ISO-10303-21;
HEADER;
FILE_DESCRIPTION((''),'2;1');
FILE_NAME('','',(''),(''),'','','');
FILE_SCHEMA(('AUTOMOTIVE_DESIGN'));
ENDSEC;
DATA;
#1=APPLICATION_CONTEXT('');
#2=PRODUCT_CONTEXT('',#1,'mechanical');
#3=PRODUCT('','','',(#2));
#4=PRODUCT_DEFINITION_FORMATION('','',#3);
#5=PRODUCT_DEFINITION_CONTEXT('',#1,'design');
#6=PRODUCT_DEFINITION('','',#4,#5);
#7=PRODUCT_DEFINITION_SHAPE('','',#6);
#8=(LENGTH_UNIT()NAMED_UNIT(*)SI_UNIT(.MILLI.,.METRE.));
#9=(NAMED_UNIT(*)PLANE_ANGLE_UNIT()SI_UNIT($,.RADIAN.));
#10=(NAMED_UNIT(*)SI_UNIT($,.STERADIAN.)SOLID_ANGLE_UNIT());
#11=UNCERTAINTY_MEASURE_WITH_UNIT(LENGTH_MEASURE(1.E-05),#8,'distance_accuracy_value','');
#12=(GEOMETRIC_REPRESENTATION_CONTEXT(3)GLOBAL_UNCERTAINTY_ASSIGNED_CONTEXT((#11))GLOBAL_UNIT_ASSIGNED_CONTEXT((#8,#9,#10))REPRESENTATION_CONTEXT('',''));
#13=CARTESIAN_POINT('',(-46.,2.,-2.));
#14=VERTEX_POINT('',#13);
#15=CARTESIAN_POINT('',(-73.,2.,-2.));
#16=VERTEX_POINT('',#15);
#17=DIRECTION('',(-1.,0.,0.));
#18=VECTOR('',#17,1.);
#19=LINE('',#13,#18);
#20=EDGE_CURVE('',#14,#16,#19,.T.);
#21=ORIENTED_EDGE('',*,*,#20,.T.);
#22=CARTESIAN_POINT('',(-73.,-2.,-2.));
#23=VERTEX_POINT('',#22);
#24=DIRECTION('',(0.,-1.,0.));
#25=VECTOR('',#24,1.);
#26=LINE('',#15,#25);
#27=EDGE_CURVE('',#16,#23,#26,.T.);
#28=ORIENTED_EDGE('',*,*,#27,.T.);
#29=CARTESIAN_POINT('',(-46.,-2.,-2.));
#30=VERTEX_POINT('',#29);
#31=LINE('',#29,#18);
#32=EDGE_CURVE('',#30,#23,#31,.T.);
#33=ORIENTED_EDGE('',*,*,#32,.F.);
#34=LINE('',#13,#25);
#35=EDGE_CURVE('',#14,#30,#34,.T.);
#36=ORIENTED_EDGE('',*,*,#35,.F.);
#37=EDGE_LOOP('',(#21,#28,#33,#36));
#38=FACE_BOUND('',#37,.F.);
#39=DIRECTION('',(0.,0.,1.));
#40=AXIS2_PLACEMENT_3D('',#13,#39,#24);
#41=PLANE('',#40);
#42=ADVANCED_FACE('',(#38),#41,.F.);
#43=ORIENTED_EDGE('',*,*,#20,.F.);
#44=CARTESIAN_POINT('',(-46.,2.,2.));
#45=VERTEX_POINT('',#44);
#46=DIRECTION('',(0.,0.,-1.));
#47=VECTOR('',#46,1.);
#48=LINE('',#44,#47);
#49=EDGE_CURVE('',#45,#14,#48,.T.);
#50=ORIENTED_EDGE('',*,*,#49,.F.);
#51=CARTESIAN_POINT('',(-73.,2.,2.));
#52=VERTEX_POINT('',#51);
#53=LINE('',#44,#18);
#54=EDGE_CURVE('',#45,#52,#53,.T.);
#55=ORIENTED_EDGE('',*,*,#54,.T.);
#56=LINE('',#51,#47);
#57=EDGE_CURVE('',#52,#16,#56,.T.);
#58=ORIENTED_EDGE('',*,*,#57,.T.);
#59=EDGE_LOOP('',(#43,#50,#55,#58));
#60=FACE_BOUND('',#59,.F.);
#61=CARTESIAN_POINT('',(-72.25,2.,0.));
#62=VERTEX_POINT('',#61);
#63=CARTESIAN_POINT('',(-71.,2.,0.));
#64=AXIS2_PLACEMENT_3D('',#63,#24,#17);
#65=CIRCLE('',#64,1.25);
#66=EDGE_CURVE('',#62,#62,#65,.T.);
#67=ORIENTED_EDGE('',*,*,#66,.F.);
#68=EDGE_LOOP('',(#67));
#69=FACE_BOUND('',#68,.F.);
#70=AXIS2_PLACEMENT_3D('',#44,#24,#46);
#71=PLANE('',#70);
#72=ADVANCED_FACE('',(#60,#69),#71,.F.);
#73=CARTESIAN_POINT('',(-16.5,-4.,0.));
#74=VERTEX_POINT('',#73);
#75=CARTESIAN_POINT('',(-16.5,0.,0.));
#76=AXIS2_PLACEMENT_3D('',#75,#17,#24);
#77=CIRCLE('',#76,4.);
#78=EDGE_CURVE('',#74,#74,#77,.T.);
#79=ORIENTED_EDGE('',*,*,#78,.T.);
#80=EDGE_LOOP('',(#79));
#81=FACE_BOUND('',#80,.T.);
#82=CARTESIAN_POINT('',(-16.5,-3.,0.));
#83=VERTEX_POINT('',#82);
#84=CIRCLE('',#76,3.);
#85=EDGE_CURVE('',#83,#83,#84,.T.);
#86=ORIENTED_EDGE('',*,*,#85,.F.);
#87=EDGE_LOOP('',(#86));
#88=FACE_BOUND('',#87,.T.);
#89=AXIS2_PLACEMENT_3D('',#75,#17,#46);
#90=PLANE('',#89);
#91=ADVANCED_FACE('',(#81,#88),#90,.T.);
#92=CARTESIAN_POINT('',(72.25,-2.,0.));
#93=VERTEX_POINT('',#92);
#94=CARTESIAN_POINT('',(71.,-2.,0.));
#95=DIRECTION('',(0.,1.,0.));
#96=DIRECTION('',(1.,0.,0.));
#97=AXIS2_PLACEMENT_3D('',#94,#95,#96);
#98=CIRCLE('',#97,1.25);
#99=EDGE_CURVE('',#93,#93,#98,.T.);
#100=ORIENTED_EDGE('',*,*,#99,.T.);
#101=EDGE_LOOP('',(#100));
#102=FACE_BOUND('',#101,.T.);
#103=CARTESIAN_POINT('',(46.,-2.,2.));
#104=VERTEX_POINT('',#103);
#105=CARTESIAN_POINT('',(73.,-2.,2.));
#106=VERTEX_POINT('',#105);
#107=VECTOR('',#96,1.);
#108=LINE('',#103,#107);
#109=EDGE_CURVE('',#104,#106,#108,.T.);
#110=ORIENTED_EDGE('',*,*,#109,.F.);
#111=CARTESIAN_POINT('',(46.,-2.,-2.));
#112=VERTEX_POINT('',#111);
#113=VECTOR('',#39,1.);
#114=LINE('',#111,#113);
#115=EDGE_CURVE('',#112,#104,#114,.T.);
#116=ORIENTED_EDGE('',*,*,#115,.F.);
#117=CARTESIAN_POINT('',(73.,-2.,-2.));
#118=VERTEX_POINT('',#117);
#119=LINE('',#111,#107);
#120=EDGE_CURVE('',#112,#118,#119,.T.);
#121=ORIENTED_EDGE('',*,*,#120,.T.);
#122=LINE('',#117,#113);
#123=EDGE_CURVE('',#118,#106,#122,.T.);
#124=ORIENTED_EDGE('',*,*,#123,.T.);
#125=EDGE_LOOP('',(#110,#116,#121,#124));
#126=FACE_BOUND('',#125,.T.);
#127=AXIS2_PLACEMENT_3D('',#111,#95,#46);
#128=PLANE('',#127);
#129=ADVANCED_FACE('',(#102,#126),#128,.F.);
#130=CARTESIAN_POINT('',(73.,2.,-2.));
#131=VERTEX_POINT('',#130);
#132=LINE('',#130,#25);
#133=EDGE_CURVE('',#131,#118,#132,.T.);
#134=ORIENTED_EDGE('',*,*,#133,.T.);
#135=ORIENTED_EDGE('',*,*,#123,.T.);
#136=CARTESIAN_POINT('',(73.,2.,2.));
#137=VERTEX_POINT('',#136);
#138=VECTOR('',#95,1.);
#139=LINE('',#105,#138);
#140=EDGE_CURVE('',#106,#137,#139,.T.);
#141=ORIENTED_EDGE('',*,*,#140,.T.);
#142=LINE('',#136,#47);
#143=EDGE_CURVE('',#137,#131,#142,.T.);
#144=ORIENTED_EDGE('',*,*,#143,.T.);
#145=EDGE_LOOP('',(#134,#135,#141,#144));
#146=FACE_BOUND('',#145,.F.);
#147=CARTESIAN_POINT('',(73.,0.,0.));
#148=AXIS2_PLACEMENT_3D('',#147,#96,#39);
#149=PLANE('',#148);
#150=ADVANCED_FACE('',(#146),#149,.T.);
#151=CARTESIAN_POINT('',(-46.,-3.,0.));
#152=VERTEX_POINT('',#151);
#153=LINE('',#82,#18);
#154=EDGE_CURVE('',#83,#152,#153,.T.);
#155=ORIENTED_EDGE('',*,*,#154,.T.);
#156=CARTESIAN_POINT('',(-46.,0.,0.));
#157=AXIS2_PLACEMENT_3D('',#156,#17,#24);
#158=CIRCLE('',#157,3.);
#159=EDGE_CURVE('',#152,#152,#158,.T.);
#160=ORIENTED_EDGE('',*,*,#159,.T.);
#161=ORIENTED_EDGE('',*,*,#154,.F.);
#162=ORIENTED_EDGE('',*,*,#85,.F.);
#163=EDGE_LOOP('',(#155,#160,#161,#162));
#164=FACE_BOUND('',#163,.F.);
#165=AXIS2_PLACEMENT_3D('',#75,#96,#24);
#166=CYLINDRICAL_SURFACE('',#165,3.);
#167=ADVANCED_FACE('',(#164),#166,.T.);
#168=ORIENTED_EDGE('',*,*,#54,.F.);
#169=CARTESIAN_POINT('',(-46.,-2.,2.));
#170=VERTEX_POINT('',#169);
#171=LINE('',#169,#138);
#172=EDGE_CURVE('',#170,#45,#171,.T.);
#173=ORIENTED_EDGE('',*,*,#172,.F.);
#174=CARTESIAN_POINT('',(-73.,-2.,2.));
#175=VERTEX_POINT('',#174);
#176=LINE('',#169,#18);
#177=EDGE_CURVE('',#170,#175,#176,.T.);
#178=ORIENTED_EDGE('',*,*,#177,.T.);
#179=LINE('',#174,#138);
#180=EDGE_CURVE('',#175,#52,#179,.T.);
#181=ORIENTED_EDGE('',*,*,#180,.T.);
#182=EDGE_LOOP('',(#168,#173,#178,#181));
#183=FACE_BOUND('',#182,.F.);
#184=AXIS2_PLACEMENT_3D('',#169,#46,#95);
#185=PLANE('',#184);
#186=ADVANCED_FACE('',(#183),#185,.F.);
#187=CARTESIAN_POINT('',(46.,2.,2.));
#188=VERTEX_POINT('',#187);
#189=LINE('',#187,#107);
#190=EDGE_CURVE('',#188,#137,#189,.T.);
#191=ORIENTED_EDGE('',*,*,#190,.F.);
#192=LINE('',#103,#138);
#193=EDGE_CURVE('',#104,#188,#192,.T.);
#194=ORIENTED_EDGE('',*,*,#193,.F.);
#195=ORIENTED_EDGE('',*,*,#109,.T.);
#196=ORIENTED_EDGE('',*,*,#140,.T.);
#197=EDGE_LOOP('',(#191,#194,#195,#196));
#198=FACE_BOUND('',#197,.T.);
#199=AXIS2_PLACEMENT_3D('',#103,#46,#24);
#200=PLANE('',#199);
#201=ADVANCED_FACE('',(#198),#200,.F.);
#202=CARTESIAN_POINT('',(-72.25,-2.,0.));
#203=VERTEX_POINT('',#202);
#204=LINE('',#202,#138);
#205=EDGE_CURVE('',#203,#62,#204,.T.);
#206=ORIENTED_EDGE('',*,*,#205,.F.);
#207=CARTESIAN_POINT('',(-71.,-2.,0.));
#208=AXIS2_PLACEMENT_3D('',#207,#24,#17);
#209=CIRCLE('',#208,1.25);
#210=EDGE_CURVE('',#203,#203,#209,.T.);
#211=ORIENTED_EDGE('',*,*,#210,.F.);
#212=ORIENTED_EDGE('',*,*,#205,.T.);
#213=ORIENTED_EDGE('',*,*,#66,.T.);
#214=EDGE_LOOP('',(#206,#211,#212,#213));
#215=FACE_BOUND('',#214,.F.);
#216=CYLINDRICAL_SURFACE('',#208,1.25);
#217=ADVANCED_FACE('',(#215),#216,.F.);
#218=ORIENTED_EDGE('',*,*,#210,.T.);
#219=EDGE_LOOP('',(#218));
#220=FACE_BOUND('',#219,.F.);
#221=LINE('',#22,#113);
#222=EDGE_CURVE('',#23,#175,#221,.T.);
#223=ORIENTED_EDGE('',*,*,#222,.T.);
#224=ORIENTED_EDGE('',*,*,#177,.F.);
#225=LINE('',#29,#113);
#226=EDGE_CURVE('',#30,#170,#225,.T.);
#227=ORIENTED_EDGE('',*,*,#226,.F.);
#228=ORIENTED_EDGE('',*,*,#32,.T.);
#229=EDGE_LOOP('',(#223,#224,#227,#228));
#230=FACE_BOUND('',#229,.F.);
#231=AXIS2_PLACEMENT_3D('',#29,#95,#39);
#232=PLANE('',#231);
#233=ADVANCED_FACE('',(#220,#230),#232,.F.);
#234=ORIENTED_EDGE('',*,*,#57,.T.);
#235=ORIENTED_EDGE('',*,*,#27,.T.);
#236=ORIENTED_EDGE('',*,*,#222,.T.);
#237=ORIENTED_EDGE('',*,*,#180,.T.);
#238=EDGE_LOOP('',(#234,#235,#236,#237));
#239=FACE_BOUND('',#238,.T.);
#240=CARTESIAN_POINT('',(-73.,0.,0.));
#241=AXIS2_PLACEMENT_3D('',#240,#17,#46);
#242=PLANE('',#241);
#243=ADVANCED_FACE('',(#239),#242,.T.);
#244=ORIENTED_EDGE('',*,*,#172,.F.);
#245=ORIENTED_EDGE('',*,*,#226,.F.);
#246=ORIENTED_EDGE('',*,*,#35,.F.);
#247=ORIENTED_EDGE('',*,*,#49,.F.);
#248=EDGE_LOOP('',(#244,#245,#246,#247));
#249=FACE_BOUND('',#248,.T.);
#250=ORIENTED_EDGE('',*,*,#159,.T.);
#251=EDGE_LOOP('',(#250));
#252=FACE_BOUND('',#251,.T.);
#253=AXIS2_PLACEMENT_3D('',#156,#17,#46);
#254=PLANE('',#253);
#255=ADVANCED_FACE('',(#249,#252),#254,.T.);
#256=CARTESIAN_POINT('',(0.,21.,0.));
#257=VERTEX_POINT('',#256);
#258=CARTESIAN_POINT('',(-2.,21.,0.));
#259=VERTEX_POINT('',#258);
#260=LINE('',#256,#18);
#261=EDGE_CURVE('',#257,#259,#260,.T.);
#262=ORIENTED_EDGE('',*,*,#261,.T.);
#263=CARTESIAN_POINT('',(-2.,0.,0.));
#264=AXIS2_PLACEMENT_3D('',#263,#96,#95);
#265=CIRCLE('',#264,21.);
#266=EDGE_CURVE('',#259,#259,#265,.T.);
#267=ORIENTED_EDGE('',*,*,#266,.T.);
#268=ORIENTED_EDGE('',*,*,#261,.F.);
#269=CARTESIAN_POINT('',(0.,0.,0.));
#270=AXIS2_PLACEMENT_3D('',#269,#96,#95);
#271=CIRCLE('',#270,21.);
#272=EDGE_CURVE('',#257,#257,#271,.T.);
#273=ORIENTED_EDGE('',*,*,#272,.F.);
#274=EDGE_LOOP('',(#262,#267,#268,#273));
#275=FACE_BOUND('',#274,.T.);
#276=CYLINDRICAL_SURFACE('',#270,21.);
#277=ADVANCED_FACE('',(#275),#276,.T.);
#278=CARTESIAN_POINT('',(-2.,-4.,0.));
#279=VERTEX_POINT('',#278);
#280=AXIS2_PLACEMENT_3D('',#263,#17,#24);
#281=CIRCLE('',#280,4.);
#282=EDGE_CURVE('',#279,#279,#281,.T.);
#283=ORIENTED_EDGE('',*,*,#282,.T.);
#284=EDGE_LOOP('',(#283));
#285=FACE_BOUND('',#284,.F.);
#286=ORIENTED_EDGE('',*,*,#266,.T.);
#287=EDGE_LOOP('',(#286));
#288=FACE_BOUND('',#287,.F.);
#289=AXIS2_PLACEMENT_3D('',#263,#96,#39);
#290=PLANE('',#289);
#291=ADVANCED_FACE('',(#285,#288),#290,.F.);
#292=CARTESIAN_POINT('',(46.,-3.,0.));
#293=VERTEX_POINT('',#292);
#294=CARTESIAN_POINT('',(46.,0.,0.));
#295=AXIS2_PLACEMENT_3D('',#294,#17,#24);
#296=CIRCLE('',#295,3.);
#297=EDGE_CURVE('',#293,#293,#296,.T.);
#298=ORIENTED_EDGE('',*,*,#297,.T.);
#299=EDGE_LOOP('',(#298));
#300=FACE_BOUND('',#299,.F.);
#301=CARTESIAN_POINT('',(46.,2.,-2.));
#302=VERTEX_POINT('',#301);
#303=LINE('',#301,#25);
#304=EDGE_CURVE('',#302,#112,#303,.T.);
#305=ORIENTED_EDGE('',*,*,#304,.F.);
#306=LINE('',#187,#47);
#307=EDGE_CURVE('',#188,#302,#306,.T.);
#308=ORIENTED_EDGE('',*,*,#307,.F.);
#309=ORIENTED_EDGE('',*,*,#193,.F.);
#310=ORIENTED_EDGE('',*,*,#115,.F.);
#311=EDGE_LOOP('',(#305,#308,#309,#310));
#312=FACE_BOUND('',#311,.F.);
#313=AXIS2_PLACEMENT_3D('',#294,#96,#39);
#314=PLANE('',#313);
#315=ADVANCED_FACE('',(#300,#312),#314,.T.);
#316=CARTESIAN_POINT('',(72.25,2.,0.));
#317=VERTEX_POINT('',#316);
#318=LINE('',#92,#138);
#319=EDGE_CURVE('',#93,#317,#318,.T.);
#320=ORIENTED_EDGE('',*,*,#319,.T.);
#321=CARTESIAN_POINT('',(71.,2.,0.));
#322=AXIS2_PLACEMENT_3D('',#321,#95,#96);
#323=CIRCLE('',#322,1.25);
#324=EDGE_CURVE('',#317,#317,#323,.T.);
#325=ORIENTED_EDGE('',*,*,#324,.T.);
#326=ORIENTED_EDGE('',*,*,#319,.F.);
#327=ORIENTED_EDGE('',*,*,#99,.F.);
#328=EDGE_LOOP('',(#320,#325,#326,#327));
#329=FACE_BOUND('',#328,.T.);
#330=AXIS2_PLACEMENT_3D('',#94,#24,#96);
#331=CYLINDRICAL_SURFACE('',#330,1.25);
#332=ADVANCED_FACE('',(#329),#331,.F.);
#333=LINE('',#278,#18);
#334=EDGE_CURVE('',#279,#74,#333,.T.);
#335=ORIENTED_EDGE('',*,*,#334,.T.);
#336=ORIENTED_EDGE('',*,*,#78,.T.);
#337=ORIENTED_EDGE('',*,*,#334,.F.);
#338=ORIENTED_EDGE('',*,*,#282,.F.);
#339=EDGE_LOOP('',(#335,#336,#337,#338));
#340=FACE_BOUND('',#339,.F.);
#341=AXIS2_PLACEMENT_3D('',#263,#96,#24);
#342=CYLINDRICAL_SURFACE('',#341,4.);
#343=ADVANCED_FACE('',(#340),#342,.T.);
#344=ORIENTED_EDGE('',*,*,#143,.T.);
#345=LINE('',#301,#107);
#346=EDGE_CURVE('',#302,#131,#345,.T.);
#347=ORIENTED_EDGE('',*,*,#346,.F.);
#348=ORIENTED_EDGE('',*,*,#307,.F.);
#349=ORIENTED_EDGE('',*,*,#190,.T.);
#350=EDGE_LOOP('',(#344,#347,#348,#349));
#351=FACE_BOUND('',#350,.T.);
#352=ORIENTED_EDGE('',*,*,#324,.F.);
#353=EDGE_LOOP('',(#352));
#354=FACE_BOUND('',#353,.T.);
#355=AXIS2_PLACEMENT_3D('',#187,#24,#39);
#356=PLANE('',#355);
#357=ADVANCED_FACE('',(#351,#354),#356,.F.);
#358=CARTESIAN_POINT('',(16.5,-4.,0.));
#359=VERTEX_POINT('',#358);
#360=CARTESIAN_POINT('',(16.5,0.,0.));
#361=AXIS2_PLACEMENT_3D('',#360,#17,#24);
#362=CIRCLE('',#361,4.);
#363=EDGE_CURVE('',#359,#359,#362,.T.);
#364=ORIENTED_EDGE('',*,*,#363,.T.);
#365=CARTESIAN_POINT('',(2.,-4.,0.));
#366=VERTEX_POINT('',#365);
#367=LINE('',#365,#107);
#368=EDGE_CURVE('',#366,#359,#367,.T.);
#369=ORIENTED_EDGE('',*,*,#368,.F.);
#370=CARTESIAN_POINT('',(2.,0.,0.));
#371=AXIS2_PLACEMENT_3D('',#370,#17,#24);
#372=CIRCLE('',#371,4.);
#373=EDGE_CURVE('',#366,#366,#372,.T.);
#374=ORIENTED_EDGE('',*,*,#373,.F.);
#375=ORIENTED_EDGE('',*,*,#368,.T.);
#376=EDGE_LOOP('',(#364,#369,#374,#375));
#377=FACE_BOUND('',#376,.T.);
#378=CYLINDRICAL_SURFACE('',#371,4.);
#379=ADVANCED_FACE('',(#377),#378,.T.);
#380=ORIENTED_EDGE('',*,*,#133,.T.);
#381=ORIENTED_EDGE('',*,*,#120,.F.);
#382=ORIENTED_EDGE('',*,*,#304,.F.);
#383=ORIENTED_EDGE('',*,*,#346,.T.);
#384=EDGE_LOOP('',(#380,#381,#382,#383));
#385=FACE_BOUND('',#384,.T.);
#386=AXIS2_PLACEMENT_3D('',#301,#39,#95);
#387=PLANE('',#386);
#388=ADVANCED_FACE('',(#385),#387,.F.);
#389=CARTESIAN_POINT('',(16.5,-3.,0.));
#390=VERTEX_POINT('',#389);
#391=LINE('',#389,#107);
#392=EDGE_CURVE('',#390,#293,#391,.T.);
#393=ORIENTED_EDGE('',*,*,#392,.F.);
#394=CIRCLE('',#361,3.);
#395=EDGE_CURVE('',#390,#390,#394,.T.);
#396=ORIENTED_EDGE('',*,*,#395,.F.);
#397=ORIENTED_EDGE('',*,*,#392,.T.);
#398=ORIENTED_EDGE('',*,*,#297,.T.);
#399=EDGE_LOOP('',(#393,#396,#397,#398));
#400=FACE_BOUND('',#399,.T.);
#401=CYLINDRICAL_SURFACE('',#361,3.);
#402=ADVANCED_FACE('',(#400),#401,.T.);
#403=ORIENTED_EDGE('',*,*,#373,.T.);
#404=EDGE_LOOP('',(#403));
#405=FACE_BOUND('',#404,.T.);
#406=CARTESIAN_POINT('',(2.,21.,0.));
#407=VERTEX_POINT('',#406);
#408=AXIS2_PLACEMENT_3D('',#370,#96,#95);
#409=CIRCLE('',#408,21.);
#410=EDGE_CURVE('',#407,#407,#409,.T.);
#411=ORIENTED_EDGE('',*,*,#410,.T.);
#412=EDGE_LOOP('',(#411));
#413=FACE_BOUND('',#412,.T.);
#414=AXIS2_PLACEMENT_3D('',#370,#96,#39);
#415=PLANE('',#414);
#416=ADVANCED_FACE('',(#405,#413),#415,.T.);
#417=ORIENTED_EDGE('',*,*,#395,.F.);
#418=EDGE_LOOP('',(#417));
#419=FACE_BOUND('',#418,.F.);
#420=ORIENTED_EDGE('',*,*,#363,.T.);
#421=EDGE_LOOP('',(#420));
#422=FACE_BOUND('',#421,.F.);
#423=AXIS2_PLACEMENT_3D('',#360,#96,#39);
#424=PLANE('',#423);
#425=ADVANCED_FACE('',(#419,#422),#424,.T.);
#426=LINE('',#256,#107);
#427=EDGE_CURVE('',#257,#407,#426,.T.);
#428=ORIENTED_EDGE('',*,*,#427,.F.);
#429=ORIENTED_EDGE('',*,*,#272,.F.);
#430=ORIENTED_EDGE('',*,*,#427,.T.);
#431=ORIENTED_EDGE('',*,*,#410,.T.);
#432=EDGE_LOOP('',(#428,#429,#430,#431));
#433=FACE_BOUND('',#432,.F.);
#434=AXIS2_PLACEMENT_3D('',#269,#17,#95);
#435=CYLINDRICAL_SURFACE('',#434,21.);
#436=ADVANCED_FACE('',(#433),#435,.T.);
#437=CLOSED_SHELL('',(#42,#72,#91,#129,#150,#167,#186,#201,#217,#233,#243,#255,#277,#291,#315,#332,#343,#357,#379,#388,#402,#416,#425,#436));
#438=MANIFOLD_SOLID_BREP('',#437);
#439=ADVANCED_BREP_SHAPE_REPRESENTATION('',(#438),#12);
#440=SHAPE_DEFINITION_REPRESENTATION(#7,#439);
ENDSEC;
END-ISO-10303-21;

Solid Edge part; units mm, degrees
sketch "Sketch1" plane through (0, 0, 0) normal (1, 0, 0) x (0, 1, 0)
  circle A0 centre (0, 0) radius 21
extrude "Protrusion1" add sketch "Sketch1" along normal mid plane 4
sketch "Sketch2" plane through (-2, 0, 0) normal (-1, 0, 0) x (0, -1, 0)
  circle A0 centre (0, 0) radius 4
extrude "ProtrusiónExtruida_3" add sketch "Sketch2" along normal blind 14.5
sketch "Sketch3" plane through (-16.5, 0, 0) normal (-1, 0, 0) x (0, -1, 0)
  circle A0 centre (0, 0) radius 3
extrude "ProtrusiónExtruida_4" add sketch "Sketch3" along normal blind 29.5
sketch "Sketch4" plane through (-46, 0, 0) normal (-1, 0, 0) x (0, -1, 0)
  line L0 (2, -2) -> (2, 2)
  line L1 (2, 2) -> (-2, 2)
  line L2 (-2, 2) -> (-2, -2)
  line L3 (-2, -2) -> (2, -2)
extrude "ProtrusiónExtruida_5" add sketch "Sketch4" along normal blind 27
mirror "Mirror1" about plane through (0, 0, 0) normal (1, 0, 0) of "ProtrusiónExtruida_3", "ProtrusiónExtruida_4", "ProtrusiónExtruida_5"
sketch "Sketch5" plane through (-58, -2, 0) normal (0, -1, 0) x (-1, 0, 0)
  circle A0 centre (13, 0) radius 1.25
extrude "Cutout1" cut sketch "Sketch5" against normal up to next
mirror "Mirror2" about plane through (0, 0, 0) normal (1, 0, 0) of "Cutout1"
